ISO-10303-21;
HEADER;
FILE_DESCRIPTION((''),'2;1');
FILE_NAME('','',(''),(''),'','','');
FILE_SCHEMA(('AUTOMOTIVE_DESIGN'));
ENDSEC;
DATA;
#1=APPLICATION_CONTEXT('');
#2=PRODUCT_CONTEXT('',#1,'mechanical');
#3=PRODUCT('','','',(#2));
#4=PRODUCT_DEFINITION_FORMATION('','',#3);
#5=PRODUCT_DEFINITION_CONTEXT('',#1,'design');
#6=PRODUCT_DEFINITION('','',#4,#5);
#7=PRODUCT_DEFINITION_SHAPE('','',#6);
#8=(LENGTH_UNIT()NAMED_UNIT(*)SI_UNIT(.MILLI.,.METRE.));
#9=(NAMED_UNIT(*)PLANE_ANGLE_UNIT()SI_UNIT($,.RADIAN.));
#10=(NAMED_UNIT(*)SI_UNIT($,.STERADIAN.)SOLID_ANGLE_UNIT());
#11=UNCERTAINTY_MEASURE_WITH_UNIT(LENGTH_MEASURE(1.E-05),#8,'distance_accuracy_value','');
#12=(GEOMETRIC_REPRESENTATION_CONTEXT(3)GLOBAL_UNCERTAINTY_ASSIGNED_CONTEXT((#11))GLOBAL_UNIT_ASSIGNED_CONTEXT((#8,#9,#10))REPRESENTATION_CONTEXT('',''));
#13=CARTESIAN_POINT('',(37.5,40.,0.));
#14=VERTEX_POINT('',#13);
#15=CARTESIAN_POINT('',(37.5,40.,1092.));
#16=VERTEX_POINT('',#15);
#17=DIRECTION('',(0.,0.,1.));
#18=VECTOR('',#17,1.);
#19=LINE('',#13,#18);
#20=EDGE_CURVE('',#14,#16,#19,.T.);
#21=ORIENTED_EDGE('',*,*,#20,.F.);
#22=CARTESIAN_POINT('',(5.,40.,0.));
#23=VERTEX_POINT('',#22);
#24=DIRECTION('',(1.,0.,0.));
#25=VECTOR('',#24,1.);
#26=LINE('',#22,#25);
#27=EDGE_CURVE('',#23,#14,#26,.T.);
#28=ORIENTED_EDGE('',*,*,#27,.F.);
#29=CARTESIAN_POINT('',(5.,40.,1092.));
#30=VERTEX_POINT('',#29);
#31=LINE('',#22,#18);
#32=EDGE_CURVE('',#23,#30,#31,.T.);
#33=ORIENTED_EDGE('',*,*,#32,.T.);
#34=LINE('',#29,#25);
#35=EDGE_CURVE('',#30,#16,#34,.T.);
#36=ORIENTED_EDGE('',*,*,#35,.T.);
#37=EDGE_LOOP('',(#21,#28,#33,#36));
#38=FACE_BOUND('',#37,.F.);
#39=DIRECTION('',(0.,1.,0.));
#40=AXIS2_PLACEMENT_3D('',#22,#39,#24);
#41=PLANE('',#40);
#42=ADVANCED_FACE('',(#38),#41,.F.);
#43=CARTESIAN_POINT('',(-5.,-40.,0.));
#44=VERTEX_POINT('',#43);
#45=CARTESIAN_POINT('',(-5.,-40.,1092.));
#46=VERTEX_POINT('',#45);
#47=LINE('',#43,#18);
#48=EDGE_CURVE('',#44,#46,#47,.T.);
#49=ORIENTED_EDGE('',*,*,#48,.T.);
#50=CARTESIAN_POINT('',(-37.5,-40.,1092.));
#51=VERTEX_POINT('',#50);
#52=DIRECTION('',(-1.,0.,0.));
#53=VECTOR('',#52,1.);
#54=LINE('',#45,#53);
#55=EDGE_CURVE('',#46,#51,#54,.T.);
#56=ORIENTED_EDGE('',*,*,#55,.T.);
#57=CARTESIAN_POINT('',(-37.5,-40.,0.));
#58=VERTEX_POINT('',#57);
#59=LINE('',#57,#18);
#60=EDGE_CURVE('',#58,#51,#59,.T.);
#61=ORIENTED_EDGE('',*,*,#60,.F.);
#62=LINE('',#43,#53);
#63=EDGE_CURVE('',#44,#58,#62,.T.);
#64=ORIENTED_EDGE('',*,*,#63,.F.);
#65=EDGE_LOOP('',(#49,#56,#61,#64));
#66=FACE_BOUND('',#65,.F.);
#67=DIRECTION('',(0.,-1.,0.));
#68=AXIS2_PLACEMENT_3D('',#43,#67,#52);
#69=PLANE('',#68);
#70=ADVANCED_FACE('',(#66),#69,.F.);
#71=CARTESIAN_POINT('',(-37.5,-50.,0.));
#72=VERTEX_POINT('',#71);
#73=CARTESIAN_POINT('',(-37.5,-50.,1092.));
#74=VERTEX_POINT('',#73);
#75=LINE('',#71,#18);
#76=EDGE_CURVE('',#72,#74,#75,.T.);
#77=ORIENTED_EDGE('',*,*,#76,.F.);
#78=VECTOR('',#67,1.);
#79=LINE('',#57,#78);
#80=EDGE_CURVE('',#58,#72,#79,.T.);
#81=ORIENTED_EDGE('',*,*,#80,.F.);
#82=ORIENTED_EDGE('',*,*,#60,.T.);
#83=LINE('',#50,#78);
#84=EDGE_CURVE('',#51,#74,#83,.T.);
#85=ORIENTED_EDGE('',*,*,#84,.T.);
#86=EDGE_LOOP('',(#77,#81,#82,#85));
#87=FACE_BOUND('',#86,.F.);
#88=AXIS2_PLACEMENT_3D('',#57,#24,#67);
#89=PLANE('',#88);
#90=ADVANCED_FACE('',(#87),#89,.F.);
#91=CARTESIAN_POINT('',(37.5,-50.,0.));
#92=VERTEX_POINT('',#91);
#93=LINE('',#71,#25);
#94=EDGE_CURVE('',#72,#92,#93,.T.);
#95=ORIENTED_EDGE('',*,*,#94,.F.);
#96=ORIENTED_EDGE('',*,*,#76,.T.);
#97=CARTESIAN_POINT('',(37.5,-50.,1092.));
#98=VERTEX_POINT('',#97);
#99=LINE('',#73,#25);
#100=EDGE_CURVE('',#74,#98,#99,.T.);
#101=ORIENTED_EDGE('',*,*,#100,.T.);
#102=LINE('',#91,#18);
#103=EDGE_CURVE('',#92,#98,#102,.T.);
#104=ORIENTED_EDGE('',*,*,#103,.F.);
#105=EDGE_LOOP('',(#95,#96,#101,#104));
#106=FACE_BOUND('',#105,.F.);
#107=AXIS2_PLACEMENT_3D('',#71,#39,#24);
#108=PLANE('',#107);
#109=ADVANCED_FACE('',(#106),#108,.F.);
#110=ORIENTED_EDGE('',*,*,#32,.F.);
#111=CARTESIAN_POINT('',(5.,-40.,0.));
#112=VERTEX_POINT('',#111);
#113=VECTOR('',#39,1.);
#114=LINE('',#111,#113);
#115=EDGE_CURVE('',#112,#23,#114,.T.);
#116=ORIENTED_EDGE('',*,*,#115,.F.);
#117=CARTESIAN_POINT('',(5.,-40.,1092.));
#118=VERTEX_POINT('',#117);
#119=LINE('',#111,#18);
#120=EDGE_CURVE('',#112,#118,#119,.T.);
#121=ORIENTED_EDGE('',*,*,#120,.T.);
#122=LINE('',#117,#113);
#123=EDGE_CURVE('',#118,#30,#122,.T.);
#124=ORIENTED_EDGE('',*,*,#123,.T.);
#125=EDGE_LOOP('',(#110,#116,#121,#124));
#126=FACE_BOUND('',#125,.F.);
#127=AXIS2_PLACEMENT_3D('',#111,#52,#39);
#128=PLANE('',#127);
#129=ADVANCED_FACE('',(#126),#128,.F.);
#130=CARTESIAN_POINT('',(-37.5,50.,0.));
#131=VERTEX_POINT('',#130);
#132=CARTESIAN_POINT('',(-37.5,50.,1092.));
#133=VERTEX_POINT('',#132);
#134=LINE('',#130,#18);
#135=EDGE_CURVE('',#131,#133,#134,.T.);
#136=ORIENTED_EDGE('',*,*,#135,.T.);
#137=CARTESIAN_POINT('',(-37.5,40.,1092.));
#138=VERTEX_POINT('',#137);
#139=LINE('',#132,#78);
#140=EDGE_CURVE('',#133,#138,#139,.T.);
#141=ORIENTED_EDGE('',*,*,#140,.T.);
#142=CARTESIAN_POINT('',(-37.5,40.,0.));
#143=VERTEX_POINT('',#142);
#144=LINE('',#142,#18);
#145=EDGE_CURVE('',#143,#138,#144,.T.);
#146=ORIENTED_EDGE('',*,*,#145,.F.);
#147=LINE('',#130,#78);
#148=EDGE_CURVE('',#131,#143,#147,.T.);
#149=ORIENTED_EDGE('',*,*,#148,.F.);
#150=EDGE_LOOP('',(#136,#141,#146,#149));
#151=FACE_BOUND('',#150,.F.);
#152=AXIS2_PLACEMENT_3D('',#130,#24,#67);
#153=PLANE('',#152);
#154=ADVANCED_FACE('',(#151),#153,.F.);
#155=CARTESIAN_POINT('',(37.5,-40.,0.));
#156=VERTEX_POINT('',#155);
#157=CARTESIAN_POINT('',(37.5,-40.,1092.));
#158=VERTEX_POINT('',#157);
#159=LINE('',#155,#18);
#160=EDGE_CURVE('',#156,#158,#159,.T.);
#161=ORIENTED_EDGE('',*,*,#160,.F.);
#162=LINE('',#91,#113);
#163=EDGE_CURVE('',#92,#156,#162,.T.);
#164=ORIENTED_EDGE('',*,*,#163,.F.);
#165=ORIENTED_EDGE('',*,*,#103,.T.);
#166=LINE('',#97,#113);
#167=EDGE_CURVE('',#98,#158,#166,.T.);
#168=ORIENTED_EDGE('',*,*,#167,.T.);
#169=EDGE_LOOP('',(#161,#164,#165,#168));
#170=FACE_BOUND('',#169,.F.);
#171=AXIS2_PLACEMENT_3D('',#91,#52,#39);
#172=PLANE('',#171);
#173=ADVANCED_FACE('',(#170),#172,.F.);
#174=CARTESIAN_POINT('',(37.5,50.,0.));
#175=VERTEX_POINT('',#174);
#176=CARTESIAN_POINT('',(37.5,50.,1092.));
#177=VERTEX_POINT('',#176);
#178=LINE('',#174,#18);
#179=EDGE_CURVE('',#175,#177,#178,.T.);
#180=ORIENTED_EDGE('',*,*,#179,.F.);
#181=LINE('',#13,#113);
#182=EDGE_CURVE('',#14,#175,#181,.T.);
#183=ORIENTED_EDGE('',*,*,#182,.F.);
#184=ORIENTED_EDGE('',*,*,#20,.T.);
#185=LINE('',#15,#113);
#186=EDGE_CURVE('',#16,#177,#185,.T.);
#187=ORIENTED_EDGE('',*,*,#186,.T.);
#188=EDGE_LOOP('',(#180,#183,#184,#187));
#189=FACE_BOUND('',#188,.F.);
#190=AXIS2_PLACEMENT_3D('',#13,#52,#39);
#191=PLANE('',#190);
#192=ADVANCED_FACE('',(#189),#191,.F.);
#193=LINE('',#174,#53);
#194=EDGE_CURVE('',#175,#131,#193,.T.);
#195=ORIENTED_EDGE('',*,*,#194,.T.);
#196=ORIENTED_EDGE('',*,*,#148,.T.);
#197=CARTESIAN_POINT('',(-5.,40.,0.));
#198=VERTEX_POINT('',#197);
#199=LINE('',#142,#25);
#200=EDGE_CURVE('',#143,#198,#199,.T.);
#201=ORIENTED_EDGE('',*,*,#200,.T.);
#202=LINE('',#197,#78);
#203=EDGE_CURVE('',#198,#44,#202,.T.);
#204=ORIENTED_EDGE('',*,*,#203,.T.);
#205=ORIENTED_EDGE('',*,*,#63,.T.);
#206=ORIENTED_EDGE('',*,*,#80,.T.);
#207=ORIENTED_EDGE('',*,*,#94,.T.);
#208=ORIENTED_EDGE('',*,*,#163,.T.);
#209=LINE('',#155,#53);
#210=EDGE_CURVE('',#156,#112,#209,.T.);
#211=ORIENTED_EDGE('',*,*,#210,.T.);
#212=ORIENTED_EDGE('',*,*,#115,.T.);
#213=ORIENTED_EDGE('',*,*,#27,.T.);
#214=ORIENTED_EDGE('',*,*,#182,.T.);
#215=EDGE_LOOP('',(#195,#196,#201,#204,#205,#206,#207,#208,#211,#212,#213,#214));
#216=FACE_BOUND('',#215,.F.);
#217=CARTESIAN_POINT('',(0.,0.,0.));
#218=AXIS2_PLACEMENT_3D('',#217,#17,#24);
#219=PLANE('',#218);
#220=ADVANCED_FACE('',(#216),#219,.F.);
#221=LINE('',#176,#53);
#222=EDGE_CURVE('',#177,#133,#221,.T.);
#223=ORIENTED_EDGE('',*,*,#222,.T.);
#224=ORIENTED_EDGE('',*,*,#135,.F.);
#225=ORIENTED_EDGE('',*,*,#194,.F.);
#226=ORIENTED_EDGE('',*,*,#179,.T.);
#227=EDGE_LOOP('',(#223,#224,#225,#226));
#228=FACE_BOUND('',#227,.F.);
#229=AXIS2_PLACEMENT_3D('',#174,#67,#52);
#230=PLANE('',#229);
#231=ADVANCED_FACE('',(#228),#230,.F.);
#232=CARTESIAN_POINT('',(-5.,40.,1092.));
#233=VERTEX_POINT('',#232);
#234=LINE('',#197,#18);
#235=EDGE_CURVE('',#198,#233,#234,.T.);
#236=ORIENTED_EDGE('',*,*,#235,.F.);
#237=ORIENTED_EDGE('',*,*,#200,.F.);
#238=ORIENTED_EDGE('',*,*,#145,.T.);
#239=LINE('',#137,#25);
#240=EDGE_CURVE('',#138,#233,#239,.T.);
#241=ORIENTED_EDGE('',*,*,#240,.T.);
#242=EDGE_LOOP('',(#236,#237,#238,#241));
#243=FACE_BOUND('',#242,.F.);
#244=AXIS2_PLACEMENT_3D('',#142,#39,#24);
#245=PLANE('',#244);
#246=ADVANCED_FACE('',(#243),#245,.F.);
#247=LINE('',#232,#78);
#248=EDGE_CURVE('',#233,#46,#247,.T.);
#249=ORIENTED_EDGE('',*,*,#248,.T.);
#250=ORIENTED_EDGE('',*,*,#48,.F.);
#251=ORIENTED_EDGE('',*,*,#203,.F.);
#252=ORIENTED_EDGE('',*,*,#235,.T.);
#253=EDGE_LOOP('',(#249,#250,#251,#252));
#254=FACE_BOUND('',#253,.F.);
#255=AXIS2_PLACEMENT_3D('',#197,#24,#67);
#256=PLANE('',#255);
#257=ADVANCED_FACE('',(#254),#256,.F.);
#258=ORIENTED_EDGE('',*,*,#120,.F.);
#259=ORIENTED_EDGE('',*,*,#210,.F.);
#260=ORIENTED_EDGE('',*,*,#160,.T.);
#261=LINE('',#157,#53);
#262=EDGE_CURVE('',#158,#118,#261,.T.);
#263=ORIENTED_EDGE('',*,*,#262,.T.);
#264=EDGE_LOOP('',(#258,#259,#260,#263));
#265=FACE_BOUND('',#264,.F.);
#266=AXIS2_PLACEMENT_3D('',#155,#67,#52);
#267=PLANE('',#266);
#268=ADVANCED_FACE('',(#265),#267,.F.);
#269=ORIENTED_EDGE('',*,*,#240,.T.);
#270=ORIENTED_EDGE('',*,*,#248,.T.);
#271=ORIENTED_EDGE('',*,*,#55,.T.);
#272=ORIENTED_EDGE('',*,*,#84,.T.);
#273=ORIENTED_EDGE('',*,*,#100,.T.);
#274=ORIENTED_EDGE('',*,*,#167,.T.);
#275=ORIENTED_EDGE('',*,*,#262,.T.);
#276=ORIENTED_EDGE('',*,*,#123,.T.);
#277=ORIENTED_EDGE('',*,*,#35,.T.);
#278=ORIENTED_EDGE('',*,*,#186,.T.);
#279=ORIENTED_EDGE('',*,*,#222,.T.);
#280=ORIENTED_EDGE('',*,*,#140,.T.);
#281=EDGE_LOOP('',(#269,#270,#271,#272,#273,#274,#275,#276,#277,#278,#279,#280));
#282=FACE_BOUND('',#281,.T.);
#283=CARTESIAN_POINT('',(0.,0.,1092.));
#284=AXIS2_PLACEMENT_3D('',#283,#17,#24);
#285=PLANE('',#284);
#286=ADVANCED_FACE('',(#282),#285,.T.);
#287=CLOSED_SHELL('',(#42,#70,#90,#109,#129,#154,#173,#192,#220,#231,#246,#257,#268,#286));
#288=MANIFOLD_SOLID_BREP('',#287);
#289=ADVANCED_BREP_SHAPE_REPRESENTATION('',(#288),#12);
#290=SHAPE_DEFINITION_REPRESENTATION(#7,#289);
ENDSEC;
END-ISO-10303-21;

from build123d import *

# Parameters (mm, degrees)
F1_DEPTH = 1092


with BuildPart() as f1:
    # F0 (on Top) → F1 (new body)
    with BuildSketch(Plane.XY):
        Polygon((-37.5, -50), (0, -50), (37.5, -50), (37.5, -40), (5, -40), (5, 0), (5, 40), (37.5, 40), (37.5, 50), (0, 50), (-37.5, 50), (-37.5, 40), (-5, 40), (-5, 0), (-5, -40), (-37.5, -40), align=None)
    extrude(amount=F1_DEPTH)


solid = f1.part
